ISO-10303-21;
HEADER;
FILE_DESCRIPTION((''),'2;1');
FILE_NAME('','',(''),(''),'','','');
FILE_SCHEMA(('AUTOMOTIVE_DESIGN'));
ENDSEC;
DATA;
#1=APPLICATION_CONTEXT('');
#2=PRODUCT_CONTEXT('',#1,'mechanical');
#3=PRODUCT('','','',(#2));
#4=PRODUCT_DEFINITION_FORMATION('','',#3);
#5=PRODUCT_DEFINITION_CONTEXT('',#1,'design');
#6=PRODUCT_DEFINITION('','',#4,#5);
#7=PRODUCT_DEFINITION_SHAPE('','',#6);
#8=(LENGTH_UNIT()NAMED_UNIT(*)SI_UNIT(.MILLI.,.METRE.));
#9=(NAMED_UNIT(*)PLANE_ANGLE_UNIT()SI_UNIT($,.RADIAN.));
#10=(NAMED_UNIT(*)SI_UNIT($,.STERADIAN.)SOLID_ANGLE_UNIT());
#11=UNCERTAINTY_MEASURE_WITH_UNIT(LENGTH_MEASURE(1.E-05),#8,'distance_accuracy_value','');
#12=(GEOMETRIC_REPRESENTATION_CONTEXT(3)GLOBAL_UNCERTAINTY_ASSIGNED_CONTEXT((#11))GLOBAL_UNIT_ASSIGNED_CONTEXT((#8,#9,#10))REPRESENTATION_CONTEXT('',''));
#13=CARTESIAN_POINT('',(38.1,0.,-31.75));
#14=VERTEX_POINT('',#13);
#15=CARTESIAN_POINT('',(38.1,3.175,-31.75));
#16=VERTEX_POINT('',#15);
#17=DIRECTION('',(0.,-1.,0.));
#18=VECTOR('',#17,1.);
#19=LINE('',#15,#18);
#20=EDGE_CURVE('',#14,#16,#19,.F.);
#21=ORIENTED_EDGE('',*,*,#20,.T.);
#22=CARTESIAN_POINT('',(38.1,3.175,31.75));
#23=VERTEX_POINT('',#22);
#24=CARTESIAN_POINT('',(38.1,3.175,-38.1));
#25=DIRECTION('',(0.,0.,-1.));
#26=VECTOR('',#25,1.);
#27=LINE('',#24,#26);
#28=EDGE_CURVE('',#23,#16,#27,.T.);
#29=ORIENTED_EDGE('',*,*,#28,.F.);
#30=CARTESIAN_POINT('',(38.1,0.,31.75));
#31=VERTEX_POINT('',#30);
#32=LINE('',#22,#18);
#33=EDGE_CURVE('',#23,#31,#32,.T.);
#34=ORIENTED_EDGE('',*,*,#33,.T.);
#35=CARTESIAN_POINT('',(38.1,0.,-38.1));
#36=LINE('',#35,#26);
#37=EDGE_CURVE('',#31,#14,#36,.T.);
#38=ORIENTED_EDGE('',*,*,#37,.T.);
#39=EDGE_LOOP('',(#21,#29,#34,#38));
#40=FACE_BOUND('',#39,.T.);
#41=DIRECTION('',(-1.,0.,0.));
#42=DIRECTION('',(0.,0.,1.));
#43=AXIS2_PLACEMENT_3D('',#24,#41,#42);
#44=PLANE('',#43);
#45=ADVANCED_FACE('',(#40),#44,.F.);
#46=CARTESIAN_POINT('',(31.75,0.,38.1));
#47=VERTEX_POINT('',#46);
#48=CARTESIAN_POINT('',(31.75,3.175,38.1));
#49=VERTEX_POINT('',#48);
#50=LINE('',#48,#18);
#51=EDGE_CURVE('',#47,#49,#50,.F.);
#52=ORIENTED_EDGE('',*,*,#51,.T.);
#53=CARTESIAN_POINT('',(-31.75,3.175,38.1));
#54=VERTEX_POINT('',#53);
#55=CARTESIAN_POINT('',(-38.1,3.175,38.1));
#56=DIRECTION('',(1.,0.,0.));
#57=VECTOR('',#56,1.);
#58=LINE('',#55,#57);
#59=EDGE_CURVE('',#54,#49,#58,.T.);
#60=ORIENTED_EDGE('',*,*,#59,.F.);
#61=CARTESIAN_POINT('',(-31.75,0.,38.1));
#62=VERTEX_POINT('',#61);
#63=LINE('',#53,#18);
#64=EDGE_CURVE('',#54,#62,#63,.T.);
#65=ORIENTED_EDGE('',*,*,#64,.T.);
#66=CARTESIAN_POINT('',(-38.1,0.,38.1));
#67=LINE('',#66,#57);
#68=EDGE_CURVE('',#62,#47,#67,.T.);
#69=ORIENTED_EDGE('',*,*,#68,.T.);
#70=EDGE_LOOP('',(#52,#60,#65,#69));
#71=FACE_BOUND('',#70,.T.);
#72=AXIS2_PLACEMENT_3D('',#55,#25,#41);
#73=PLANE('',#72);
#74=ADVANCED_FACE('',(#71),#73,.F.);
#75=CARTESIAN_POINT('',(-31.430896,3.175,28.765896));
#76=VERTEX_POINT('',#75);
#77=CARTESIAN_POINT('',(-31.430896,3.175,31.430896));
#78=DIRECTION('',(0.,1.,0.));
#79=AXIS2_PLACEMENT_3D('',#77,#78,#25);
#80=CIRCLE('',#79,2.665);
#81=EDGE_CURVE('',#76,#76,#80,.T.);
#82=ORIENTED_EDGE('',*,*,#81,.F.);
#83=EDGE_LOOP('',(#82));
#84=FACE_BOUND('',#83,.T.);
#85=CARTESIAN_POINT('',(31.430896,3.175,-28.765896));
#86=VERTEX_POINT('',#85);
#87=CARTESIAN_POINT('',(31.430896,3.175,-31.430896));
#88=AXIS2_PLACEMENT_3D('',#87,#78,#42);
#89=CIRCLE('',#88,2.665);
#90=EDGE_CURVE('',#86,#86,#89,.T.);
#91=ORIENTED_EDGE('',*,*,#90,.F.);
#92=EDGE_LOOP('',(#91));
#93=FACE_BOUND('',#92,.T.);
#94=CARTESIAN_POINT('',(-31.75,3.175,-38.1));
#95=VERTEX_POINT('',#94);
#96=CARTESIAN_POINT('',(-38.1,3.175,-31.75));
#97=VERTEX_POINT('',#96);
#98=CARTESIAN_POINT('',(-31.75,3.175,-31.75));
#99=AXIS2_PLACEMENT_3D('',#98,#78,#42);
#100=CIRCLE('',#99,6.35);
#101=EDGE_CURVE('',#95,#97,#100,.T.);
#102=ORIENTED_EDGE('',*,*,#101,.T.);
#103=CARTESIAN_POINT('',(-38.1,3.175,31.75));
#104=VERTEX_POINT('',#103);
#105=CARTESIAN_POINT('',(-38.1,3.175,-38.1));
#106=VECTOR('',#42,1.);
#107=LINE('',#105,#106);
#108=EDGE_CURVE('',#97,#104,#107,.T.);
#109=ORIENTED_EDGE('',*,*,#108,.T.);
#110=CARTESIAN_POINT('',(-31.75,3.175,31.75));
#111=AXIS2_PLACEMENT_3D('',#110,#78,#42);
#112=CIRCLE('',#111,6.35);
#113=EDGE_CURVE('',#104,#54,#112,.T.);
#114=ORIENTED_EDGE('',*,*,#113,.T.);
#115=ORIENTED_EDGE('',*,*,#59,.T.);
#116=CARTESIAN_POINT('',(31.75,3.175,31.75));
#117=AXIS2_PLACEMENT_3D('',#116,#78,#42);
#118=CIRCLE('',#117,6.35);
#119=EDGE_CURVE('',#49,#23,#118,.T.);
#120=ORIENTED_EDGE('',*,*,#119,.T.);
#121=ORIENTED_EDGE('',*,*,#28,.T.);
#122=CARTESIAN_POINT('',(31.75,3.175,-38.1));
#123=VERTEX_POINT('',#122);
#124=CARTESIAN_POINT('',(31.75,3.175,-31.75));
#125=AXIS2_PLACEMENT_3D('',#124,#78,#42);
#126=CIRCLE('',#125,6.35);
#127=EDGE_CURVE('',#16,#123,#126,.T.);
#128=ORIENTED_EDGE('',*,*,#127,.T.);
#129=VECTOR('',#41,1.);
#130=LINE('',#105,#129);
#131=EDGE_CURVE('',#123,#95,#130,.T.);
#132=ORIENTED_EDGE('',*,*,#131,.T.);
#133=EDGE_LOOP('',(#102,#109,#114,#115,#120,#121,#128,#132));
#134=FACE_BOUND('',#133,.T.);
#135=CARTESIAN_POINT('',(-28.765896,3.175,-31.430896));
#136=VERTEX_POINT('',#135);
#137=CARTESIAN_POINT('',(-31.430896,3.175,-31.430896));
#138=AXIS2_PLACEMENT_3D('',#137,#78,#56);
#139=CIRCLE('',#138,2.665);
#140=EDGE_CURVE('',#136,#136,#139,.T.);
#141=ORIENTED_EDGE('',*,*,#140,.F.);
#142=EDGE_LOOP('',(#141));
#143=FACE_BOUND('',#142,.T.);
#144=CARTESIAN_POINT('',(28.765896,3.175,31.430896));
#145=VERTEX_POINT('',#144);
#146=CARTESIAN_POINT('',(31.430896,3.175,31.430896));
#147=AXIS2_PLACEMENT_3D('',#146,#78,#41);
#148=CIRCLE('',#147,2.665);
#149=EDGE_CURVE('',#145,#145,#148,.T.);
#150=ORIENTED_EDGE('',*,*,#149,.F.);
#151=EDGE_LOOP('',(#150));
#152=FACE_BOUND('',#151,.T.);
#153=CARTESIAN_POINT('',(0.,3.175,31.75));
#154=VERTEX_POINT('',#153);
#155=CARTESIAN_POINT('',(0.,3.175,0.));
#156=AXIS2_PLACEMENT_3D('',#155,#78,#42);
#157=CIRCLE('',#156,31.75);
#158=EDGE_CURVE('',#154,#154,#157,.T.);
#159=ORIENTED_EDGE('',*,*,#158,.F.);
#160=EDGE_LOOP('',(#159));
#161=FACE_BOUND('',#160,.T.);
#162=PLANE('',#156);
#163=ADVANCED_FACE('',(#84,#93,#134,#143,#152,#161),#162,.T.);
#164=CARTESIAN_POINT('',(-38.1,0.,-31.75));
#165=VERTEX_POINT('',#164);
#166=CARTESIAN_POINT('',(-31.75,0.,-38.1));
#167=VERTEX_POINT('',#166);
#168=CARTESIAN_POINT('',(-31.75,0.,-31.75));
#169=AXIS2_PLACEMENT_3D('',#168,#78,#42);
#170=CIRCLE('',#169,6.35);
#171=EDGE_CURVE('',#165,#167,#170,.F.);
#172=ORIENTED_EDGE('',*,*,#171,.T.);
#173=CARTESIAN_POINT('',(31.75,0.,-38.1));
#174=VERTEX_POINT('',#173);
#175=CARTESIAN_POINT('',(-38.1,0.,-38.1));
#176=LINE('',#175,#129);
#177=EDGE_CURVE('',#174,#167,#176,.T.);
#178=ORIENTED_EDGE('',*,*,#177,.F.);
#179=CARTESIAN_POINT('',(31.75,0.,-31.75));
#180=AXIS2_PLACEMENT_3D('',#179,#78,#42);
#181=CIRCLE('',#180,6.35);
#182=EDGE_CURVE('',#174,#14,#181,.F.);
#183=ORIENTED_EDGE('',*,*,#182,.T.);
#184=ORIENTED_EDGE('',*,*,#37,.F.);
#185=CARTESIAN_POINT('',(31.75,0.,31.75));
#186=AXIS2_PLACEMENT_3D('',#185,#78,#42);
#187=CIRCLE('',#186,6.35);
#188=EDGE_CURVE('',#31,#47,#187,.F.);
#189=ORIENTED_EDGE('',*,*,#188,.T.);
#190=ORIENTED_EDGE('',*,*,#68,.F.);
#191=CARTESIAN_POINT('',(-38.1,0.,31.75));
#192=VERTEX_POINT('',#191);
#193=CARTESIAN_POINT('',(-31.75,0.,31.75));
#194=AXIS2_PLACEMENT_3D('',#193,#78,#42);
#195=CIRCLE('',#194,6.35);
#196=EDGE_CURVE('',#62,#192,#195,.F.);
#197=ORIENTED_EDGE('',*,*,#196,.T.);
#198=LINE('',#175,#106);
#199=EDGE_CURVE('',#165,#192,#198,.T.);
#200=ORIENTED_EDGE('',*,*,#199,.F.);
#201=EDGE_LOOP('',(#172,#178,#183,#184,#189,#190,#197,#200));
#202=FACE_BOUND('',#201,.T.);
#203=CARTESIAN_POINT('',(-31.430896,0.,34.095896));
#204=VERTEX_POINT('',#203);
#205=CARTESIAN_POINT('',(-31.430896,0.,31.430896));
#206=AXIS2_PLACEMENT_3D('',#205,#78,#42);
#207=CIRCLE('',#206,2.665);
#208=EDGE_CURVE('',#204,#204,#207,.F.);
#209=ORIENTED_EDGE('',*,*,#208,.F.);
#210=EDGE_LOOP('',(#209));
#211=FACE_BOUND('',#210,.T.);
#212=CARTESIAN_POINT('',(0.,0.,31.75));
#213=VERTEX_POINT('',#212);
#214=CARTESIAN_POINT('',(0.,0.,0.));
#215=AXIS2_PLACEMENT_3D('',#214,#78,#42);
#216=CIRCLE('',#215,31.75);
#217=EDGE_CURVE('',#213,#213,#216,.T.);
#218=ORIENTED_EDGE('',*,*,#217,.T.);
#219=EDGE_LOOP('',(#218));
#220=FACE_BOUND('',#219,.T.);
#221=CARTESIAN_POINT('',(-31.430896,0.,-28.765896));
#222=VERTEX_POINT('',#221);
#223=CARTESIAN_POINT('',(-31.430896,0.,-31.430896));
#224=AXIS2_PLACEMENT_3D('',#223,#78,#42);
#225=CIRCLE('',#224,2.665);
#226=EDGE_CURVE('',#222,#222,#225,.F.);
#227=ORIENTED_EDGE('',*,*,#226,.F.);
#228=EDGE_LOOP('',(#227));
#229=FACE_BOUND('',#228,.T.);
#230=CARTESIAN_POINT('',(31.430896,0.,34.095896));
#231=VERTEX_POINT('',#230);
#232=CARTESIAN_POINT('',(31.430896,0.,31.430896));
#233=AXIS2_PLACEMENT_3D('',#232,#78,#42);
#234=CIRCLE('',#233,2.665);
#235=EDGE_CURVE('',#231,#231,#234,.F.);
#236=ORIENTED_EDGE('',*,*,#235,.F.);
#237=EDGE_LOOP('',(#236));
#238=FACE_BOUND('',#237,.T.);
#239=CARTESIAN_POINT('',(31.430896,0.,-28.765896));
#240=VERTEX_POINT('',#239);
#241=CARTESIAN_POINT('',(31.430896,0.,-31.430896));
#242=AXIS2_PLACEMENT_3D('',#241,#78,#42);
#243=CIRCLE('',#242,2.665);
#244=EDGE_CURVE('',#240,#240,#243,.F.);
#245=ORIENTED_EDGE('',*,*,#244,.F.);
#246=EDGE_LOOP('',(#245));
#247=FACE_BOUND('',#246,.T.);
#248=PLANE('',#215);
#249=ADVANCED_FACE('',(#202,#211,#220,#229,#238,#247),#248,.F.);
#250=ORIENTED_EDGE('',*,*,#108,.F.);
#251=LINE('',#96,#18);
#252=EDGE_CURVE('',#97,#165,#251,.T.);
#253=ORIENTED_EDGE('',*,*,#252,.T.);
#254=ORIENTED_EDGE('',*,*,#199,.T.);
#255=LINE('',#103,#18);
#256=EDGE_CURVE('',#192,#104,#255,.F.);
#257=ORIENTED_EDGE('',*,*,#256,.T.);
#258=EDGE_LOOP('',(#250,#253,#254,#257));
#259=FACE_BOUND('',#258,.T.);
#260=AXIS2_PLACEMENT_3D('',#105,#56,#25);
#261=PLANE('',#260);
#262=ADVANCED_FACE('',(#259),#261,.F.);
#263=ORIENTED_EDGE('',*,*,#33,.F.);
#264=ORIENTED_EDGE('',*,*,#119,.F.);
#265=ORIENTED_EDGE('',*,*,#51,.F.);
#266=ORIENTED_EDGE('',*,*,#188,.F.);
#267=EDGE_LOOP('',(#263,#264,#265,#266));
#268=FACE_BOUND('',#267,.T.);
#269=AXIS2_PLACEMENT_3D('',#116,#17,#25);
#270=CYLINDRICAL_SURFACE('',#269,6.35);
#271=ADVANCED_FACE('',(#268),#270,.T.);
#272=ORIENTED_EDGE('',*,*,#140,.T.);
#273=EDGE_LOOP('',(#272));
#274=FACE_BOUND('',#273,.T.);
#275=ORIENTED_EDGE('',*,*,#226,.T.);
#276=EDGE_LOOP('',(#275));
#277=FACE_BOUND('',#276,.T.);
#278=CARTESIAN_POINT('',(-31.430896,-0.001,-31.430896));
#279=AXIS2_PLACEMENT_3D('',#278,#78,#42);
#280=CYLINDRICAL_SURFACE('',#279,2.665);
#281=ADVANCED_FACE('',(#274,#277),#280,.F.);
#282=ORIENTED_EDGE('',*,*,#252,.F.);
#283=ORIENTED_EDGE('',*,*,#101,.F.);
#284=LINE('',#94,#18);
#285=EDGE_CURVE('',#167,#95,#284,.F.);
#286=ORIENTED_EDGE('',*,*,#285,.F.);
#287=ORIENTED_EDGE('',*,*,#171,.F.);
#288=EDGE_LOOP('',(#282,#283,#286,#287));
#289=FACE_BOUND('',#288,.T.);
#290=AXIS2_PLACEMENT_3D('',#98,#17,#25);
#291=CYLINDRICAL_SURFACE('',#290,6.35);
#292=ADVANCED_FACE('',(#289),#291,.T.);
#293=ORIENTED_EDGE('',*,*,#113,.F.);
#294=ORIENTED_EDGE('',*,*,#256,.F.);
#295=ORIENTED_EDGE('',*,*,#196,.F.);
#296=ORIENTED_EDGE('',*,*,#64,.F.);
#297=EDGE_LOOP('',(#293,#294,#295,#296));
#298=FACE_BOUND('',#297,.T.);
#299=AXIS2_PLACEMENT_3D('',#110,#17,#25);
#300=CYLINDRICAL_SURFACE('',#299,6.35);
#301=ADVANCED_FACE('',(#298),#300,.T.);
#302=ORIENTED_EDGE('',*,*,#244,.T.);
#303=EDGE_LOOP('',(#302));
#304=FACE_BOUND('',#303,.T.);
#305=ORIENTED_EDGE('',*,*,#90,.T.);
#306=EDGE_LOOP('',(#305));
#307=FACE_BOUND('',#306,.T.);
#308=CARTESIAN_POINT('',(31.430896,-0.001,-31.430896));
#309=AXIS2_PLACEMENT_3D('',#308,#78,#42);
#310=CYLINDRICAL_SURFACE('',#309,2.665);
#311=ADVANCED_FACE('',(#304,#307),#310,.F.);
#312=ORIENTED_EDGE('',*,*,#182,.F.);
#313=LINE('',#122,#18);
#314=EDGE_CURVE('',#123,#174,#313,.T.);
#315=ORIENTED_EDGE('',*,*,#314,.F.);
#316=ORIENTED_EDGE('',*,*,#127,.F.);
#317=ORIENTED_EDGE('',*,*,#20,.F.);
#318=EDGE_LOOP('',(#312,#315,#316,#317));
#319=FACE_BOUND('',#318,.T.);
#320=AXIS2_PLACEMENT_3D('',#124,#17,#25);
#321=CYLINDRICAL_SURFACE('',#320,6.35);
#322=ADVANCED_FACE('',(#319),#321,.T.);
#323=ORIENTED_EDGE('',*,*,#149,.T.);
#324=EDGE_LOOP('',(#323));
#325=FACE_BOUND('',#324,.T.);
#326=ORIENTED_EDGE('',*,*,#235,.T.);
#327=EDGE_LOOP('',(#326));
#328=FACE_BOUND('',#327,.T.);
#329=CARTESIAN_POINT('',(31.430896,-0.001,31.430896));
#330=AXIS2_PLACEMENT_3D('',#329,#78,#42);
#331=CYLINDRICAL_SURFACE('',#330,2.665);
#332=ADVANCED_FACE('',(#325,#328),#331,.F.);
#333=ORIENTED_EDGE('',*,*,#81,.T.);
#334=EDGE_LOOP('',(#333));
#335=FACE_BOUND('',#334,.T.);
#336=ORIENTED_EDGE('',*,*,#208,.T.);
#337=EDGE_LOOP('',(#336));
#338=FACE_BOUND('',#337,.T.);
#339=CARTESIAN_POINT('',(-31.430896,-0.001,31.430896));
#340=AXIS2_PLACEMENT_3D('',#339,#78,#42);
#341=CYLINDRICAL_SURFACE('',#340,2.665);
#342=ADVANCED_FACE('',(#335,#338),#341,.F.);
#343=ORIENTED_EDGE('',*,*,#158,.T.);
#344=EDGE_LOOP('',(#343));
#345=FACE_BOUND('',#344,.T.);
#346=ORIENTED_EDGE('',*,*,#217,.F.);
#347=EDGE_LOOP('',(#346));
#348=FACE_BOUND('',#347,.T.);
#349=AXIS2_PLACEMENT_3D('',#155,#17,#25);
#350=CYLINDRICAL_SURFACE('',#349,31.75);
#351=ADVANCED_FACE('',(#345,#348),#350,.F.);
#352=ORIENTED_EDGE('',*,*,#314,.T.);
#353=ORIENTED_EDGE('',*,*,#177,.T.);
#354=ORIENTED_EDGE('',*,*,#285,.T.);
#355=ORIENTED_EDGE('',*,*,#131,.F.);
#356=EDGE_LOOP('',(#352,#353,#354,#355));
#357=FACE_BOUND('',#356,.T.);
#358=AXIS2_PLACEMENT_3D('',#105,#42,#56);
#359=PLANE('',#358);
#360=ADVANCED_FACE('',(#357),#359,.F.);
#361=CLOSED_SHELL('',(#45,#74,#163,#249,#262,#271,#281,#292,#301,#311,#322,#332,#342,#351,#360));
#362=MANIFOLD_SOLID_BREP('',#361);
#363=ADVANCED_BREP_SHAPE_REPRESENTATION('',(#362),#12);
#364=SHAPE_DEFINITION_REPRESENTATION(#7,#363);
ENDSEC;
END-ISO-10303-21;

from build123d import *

# Parameters (mm, degrees)
SKETCH1_W           = 76.2
SKETCH1_H           = 76.2
SKETCH1_R           = 31.75
BOSS_EXTRUDE1_DEPTH = 3.175
CUT_EXTRUDE1_REACH  = 55.975
SKETCH2_R           = 2.665
CIRPATTERN1_COUNT   = 4
FILLET1_R           = 6.35


with BuildPart() as part:
    # Sketch1 → Boss-Extrude1 (new body)
    with BuildSketch(Plane(origin=(0, 0, 0), x_dir=(1, 0, 0), z_dir=(0, 1, 0))):
        Rectangle(SKETCH1_W, SKETCH1_H)
        with Locations(Location((0, 0, 0), (0, 0, 270))):
            Circle(SKETCH1_R, mode=Mode.SUBTRACT)
    extrude(amount=BOSS_EXTRUDE1_DEPTH)

    # Sketch2 → Cut-Extrude1 (cut, up to next)
    with BuildSketch(Plane(origin=(0, 3.175, 0), x_dir=(1, 0, 0), z_dir=(0, 1, 0)), mode=Mode.PRIVATE) as cut_extrude1_sk1:
        with Locations(Location((31.430896424, 31.430896424, 0), (0, 0, 270))):
            Circle(SKETCH2_R)
    cut_extrude1_tool1 = extrude(cut_extrude1_sk1.sketch, amount=-CUT_EXTRUDE1_REACH, mode=Mode.PRIVATE) & part.part
    cut_extrude1 = cut_extrude1_tool1.solids().sort_by_distance((31.430896, 3.175, -31.430896))[0]
    add(cut_extrude1, mode=Mode.SUBTRACT)

    # CirPattern1: Cut-Extrude1 ×4 about axis
    cirpattern1_axis = Axis((0, 0, 0), (0, 1, 0))
    for i in range(1, CIRPATTERN1_COUNT):
        add(cut_extrude1.rotate(cirpattern1_axis, i * 360 / CIRPATTERN1_COUNT), mode=Mode.SUBTRACT)

    # Fillet1
    fillet1_edges = [part.edges().sort_by_distance(p)[0] for p in [
        (38.1, 1.5875, 38.1),
        (-38.1, 1.5875, 38.1),
        (-38.1, 1.5875, -38.1),
        (38.1, 1.5875, -38.1),
    ]]
    fillet(fillet1_edges, radius=FILLET1_R)


solid = part.part
